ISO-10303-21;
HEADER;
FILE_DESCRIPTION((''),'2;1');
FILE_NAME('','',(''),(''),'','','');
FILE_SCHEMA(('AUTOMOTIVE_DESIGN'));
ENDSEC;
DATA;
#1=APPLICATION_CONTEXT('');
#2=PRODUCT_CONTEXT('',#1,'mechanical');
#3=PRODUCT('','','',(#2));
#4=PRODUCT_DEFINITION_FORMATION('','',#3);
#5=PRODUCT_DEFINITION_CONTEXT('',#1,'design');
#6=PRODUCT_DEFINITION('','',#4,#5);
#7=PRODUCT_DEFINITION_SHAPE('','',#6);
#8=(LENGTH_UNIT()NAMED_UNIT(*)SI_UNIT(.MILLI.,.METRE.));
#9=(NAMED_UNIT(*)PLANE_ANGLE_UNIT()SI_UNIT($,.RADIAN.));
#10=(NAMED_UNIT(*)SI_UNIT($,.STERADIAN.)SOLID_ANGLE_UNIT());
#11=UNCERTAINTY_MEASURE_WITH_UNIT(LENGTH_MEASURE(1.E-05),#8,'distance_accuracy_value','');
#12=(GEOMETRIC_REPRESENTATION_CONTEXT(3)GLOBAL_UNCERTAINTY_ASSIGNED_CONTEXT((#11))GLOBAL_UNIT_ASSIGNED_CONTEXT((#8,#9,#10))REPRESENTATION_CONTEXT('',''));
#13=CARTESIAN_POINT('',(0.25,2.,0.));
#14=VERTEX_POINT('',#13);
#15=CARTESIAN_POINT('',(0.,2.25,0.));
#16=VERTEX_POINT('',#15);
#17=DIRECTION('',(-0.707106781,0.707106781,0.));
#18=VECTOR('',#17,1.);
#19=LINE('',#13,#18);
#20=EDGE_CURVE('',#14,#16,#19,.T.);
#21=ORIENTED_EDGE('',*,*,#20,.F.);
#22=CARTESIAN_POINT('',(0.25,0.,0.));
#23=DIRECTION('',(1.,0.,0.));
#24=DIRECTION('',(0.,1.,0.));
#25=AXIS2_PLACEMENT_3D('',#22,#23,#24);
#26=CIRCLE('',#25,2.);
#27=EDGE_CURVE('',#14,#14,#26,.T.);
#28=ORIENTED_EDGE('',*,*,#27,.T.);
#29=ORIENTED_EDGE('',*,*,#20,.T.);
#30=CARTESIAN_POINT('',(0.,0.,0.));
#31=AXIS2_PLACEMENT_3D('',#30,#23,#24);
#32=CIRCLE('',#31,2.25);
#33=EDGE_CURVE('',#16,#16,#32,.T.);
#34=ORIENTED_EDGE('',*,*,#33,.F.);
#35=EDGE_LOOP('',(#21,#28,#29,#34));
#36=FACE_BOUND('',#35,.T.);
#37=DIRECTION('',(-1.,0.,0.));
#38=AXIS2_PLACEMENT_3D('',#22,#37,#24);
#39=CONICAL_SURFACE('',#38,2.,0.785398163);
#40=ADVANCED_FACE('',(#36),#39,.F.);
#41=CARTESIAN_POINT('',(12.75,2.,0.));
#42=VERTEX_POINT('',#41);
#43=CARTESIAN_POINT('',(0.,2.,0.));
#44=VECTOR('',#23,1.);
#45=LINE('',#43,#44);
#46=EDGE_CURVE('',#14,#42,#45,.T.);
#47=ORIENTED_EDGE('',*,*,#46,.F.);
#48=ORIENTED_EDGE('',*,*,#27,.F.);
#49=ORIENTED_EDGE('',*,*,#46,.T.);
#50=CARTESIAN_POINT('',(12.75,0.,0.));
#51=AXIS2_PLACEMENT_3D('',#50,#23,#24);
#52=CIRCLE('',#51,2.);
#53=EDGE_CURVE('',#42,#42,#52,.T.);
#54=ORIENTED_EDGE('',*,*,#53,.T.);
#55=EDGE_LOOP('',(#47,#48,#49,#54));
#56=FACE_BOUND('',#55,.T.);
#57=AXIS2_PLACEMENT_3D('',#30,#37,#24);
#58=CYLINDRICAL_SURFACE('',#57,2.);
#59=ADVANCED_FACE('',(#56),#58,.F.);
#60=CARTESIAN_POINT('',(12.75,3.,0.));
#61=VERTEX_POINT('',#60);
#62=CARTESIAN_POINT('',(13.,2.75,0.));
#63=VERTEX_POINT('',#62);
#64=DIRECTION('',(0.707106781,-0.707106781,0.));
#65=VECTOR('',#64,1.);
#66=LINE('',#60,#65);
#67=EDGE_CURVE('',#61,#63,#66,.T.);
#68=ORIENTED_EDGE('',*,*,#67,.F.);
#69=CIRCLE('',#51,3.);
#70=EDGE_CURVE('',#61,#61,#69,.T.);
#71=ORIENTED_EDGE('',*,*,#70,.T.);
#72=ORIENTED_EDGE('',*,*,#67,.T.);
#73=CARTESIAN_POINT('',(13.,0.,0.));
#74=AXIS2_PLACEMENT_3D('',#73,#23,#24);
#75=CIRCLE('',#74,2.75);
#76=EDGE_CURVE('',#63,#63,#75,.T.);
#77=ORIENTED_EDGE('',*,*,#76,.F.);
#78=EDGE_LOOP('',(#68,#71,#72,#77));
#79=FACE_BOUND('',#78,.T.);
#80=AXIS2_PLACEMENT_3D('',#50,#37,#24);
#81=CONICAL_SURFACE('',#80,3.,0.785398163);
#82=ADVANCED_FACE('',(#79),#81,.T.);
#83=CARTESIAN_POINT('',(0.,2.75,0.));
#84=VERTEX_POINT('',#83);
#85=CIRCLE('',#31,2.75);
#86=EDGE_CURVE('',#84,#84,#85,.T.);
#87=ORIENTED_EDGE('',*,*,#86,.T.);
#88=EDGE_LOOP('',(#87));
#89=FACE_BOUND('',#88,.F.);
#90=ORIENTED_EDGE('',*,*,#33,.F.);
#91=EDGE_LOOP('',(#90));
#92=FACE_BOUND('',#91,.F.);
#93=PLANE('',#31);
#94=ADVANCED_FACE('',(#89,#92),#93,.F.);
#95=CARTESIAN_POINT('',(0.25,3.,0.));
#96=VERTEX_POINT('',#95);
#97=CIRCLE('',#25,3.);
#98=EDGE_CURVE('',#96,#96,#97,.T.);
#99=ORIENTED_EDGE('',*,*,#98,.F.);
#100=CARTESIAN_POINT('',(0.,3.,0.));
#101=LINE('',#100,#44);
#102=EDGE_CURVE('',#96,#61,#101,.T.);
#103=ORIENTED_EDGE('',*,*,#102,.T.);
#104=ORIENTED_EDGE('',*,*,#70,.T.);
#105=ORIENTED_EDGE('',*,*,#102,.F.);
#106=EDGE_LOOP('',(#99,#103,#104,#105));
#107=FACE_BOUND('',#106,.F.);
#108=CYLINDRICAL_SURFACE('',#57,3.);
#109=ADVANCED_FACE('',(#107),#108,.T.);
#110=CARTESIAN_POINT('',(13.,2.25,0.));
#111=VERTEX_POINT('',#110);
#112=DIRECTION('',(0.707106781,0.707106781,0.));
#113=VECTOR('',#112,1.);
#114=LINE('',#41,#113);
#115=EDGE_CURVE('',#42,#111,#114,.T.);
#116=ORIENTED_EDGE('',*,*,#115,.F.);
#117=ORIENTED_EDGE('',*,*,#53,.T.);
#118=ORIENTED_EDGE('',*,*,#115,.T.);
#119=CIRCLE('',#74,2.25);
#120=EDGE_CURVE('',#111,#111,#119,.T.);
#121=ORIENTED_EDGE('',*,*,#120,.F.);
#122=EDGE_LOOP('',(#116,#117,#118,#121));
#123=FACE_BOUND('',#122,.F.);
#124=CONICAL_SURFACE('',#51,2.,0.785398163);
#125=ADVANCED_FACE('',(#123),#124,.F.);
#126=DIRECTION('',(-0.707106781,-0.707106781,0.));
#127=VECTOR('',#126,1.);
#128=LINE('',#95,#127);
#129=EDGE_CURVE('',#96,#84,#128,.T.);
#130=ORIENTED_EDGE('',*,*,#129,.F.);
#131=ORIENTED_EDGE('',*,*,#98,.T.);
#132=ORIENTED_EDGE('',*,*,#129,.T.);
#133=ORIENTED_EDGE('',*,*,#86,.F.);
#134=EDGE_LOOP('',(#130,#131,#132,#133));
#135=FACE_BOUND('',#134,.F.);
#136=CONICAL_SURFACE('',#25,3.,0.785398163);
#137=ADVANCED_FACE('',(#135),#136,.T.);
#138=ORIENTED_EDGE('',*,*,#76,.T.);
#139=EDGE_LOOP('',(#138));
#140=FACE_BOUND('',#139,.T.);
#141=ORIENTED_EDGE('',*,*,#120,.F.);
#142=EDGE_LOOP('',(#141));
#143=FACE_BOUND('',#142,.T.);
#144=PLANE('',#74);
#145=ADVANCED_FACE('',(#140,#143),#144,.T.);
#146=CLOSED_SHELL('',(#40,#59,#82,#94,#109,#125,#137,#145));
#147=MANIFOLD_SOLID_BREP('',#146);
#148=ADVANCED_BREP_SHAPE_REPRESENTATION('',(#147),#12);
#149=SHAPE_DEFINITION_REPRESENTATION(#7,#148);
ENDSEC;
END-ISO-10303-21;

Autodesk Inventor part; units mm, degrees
ref_plane "YZ Plane" through (0, 0, 0) normal (1, 0, 0) x (0, 1, 0)
ref_plane "XZ Plane" through (0, 0, 0) normal (0, 1, 0) x (-1, 0, 0)
ref_plane "XY Plane" through (0, 0, 0) normal (0, 0, 1) x (1, 0, 0)
sketch "Sketch1" plane through (0, 0, 0) normal (1, 0, 0) x (0, 1, 0)
  circle A0 centre (0, 0) radius 3
  circle A1 centre (0, 0) radius 2
  dimension "d0" = 6
  dimension "d1" = 4
extrude "Extrusion1" add sketch "Sketch1" along normal blind 13
chamfer "Chamfer1" distance 0.25 angle 45 4 edges at (13, -3, 0) (13, -2, 0) (0, -2, 0) (0, -3, 0)
properties part number "Component 31(Rod Axle)"
